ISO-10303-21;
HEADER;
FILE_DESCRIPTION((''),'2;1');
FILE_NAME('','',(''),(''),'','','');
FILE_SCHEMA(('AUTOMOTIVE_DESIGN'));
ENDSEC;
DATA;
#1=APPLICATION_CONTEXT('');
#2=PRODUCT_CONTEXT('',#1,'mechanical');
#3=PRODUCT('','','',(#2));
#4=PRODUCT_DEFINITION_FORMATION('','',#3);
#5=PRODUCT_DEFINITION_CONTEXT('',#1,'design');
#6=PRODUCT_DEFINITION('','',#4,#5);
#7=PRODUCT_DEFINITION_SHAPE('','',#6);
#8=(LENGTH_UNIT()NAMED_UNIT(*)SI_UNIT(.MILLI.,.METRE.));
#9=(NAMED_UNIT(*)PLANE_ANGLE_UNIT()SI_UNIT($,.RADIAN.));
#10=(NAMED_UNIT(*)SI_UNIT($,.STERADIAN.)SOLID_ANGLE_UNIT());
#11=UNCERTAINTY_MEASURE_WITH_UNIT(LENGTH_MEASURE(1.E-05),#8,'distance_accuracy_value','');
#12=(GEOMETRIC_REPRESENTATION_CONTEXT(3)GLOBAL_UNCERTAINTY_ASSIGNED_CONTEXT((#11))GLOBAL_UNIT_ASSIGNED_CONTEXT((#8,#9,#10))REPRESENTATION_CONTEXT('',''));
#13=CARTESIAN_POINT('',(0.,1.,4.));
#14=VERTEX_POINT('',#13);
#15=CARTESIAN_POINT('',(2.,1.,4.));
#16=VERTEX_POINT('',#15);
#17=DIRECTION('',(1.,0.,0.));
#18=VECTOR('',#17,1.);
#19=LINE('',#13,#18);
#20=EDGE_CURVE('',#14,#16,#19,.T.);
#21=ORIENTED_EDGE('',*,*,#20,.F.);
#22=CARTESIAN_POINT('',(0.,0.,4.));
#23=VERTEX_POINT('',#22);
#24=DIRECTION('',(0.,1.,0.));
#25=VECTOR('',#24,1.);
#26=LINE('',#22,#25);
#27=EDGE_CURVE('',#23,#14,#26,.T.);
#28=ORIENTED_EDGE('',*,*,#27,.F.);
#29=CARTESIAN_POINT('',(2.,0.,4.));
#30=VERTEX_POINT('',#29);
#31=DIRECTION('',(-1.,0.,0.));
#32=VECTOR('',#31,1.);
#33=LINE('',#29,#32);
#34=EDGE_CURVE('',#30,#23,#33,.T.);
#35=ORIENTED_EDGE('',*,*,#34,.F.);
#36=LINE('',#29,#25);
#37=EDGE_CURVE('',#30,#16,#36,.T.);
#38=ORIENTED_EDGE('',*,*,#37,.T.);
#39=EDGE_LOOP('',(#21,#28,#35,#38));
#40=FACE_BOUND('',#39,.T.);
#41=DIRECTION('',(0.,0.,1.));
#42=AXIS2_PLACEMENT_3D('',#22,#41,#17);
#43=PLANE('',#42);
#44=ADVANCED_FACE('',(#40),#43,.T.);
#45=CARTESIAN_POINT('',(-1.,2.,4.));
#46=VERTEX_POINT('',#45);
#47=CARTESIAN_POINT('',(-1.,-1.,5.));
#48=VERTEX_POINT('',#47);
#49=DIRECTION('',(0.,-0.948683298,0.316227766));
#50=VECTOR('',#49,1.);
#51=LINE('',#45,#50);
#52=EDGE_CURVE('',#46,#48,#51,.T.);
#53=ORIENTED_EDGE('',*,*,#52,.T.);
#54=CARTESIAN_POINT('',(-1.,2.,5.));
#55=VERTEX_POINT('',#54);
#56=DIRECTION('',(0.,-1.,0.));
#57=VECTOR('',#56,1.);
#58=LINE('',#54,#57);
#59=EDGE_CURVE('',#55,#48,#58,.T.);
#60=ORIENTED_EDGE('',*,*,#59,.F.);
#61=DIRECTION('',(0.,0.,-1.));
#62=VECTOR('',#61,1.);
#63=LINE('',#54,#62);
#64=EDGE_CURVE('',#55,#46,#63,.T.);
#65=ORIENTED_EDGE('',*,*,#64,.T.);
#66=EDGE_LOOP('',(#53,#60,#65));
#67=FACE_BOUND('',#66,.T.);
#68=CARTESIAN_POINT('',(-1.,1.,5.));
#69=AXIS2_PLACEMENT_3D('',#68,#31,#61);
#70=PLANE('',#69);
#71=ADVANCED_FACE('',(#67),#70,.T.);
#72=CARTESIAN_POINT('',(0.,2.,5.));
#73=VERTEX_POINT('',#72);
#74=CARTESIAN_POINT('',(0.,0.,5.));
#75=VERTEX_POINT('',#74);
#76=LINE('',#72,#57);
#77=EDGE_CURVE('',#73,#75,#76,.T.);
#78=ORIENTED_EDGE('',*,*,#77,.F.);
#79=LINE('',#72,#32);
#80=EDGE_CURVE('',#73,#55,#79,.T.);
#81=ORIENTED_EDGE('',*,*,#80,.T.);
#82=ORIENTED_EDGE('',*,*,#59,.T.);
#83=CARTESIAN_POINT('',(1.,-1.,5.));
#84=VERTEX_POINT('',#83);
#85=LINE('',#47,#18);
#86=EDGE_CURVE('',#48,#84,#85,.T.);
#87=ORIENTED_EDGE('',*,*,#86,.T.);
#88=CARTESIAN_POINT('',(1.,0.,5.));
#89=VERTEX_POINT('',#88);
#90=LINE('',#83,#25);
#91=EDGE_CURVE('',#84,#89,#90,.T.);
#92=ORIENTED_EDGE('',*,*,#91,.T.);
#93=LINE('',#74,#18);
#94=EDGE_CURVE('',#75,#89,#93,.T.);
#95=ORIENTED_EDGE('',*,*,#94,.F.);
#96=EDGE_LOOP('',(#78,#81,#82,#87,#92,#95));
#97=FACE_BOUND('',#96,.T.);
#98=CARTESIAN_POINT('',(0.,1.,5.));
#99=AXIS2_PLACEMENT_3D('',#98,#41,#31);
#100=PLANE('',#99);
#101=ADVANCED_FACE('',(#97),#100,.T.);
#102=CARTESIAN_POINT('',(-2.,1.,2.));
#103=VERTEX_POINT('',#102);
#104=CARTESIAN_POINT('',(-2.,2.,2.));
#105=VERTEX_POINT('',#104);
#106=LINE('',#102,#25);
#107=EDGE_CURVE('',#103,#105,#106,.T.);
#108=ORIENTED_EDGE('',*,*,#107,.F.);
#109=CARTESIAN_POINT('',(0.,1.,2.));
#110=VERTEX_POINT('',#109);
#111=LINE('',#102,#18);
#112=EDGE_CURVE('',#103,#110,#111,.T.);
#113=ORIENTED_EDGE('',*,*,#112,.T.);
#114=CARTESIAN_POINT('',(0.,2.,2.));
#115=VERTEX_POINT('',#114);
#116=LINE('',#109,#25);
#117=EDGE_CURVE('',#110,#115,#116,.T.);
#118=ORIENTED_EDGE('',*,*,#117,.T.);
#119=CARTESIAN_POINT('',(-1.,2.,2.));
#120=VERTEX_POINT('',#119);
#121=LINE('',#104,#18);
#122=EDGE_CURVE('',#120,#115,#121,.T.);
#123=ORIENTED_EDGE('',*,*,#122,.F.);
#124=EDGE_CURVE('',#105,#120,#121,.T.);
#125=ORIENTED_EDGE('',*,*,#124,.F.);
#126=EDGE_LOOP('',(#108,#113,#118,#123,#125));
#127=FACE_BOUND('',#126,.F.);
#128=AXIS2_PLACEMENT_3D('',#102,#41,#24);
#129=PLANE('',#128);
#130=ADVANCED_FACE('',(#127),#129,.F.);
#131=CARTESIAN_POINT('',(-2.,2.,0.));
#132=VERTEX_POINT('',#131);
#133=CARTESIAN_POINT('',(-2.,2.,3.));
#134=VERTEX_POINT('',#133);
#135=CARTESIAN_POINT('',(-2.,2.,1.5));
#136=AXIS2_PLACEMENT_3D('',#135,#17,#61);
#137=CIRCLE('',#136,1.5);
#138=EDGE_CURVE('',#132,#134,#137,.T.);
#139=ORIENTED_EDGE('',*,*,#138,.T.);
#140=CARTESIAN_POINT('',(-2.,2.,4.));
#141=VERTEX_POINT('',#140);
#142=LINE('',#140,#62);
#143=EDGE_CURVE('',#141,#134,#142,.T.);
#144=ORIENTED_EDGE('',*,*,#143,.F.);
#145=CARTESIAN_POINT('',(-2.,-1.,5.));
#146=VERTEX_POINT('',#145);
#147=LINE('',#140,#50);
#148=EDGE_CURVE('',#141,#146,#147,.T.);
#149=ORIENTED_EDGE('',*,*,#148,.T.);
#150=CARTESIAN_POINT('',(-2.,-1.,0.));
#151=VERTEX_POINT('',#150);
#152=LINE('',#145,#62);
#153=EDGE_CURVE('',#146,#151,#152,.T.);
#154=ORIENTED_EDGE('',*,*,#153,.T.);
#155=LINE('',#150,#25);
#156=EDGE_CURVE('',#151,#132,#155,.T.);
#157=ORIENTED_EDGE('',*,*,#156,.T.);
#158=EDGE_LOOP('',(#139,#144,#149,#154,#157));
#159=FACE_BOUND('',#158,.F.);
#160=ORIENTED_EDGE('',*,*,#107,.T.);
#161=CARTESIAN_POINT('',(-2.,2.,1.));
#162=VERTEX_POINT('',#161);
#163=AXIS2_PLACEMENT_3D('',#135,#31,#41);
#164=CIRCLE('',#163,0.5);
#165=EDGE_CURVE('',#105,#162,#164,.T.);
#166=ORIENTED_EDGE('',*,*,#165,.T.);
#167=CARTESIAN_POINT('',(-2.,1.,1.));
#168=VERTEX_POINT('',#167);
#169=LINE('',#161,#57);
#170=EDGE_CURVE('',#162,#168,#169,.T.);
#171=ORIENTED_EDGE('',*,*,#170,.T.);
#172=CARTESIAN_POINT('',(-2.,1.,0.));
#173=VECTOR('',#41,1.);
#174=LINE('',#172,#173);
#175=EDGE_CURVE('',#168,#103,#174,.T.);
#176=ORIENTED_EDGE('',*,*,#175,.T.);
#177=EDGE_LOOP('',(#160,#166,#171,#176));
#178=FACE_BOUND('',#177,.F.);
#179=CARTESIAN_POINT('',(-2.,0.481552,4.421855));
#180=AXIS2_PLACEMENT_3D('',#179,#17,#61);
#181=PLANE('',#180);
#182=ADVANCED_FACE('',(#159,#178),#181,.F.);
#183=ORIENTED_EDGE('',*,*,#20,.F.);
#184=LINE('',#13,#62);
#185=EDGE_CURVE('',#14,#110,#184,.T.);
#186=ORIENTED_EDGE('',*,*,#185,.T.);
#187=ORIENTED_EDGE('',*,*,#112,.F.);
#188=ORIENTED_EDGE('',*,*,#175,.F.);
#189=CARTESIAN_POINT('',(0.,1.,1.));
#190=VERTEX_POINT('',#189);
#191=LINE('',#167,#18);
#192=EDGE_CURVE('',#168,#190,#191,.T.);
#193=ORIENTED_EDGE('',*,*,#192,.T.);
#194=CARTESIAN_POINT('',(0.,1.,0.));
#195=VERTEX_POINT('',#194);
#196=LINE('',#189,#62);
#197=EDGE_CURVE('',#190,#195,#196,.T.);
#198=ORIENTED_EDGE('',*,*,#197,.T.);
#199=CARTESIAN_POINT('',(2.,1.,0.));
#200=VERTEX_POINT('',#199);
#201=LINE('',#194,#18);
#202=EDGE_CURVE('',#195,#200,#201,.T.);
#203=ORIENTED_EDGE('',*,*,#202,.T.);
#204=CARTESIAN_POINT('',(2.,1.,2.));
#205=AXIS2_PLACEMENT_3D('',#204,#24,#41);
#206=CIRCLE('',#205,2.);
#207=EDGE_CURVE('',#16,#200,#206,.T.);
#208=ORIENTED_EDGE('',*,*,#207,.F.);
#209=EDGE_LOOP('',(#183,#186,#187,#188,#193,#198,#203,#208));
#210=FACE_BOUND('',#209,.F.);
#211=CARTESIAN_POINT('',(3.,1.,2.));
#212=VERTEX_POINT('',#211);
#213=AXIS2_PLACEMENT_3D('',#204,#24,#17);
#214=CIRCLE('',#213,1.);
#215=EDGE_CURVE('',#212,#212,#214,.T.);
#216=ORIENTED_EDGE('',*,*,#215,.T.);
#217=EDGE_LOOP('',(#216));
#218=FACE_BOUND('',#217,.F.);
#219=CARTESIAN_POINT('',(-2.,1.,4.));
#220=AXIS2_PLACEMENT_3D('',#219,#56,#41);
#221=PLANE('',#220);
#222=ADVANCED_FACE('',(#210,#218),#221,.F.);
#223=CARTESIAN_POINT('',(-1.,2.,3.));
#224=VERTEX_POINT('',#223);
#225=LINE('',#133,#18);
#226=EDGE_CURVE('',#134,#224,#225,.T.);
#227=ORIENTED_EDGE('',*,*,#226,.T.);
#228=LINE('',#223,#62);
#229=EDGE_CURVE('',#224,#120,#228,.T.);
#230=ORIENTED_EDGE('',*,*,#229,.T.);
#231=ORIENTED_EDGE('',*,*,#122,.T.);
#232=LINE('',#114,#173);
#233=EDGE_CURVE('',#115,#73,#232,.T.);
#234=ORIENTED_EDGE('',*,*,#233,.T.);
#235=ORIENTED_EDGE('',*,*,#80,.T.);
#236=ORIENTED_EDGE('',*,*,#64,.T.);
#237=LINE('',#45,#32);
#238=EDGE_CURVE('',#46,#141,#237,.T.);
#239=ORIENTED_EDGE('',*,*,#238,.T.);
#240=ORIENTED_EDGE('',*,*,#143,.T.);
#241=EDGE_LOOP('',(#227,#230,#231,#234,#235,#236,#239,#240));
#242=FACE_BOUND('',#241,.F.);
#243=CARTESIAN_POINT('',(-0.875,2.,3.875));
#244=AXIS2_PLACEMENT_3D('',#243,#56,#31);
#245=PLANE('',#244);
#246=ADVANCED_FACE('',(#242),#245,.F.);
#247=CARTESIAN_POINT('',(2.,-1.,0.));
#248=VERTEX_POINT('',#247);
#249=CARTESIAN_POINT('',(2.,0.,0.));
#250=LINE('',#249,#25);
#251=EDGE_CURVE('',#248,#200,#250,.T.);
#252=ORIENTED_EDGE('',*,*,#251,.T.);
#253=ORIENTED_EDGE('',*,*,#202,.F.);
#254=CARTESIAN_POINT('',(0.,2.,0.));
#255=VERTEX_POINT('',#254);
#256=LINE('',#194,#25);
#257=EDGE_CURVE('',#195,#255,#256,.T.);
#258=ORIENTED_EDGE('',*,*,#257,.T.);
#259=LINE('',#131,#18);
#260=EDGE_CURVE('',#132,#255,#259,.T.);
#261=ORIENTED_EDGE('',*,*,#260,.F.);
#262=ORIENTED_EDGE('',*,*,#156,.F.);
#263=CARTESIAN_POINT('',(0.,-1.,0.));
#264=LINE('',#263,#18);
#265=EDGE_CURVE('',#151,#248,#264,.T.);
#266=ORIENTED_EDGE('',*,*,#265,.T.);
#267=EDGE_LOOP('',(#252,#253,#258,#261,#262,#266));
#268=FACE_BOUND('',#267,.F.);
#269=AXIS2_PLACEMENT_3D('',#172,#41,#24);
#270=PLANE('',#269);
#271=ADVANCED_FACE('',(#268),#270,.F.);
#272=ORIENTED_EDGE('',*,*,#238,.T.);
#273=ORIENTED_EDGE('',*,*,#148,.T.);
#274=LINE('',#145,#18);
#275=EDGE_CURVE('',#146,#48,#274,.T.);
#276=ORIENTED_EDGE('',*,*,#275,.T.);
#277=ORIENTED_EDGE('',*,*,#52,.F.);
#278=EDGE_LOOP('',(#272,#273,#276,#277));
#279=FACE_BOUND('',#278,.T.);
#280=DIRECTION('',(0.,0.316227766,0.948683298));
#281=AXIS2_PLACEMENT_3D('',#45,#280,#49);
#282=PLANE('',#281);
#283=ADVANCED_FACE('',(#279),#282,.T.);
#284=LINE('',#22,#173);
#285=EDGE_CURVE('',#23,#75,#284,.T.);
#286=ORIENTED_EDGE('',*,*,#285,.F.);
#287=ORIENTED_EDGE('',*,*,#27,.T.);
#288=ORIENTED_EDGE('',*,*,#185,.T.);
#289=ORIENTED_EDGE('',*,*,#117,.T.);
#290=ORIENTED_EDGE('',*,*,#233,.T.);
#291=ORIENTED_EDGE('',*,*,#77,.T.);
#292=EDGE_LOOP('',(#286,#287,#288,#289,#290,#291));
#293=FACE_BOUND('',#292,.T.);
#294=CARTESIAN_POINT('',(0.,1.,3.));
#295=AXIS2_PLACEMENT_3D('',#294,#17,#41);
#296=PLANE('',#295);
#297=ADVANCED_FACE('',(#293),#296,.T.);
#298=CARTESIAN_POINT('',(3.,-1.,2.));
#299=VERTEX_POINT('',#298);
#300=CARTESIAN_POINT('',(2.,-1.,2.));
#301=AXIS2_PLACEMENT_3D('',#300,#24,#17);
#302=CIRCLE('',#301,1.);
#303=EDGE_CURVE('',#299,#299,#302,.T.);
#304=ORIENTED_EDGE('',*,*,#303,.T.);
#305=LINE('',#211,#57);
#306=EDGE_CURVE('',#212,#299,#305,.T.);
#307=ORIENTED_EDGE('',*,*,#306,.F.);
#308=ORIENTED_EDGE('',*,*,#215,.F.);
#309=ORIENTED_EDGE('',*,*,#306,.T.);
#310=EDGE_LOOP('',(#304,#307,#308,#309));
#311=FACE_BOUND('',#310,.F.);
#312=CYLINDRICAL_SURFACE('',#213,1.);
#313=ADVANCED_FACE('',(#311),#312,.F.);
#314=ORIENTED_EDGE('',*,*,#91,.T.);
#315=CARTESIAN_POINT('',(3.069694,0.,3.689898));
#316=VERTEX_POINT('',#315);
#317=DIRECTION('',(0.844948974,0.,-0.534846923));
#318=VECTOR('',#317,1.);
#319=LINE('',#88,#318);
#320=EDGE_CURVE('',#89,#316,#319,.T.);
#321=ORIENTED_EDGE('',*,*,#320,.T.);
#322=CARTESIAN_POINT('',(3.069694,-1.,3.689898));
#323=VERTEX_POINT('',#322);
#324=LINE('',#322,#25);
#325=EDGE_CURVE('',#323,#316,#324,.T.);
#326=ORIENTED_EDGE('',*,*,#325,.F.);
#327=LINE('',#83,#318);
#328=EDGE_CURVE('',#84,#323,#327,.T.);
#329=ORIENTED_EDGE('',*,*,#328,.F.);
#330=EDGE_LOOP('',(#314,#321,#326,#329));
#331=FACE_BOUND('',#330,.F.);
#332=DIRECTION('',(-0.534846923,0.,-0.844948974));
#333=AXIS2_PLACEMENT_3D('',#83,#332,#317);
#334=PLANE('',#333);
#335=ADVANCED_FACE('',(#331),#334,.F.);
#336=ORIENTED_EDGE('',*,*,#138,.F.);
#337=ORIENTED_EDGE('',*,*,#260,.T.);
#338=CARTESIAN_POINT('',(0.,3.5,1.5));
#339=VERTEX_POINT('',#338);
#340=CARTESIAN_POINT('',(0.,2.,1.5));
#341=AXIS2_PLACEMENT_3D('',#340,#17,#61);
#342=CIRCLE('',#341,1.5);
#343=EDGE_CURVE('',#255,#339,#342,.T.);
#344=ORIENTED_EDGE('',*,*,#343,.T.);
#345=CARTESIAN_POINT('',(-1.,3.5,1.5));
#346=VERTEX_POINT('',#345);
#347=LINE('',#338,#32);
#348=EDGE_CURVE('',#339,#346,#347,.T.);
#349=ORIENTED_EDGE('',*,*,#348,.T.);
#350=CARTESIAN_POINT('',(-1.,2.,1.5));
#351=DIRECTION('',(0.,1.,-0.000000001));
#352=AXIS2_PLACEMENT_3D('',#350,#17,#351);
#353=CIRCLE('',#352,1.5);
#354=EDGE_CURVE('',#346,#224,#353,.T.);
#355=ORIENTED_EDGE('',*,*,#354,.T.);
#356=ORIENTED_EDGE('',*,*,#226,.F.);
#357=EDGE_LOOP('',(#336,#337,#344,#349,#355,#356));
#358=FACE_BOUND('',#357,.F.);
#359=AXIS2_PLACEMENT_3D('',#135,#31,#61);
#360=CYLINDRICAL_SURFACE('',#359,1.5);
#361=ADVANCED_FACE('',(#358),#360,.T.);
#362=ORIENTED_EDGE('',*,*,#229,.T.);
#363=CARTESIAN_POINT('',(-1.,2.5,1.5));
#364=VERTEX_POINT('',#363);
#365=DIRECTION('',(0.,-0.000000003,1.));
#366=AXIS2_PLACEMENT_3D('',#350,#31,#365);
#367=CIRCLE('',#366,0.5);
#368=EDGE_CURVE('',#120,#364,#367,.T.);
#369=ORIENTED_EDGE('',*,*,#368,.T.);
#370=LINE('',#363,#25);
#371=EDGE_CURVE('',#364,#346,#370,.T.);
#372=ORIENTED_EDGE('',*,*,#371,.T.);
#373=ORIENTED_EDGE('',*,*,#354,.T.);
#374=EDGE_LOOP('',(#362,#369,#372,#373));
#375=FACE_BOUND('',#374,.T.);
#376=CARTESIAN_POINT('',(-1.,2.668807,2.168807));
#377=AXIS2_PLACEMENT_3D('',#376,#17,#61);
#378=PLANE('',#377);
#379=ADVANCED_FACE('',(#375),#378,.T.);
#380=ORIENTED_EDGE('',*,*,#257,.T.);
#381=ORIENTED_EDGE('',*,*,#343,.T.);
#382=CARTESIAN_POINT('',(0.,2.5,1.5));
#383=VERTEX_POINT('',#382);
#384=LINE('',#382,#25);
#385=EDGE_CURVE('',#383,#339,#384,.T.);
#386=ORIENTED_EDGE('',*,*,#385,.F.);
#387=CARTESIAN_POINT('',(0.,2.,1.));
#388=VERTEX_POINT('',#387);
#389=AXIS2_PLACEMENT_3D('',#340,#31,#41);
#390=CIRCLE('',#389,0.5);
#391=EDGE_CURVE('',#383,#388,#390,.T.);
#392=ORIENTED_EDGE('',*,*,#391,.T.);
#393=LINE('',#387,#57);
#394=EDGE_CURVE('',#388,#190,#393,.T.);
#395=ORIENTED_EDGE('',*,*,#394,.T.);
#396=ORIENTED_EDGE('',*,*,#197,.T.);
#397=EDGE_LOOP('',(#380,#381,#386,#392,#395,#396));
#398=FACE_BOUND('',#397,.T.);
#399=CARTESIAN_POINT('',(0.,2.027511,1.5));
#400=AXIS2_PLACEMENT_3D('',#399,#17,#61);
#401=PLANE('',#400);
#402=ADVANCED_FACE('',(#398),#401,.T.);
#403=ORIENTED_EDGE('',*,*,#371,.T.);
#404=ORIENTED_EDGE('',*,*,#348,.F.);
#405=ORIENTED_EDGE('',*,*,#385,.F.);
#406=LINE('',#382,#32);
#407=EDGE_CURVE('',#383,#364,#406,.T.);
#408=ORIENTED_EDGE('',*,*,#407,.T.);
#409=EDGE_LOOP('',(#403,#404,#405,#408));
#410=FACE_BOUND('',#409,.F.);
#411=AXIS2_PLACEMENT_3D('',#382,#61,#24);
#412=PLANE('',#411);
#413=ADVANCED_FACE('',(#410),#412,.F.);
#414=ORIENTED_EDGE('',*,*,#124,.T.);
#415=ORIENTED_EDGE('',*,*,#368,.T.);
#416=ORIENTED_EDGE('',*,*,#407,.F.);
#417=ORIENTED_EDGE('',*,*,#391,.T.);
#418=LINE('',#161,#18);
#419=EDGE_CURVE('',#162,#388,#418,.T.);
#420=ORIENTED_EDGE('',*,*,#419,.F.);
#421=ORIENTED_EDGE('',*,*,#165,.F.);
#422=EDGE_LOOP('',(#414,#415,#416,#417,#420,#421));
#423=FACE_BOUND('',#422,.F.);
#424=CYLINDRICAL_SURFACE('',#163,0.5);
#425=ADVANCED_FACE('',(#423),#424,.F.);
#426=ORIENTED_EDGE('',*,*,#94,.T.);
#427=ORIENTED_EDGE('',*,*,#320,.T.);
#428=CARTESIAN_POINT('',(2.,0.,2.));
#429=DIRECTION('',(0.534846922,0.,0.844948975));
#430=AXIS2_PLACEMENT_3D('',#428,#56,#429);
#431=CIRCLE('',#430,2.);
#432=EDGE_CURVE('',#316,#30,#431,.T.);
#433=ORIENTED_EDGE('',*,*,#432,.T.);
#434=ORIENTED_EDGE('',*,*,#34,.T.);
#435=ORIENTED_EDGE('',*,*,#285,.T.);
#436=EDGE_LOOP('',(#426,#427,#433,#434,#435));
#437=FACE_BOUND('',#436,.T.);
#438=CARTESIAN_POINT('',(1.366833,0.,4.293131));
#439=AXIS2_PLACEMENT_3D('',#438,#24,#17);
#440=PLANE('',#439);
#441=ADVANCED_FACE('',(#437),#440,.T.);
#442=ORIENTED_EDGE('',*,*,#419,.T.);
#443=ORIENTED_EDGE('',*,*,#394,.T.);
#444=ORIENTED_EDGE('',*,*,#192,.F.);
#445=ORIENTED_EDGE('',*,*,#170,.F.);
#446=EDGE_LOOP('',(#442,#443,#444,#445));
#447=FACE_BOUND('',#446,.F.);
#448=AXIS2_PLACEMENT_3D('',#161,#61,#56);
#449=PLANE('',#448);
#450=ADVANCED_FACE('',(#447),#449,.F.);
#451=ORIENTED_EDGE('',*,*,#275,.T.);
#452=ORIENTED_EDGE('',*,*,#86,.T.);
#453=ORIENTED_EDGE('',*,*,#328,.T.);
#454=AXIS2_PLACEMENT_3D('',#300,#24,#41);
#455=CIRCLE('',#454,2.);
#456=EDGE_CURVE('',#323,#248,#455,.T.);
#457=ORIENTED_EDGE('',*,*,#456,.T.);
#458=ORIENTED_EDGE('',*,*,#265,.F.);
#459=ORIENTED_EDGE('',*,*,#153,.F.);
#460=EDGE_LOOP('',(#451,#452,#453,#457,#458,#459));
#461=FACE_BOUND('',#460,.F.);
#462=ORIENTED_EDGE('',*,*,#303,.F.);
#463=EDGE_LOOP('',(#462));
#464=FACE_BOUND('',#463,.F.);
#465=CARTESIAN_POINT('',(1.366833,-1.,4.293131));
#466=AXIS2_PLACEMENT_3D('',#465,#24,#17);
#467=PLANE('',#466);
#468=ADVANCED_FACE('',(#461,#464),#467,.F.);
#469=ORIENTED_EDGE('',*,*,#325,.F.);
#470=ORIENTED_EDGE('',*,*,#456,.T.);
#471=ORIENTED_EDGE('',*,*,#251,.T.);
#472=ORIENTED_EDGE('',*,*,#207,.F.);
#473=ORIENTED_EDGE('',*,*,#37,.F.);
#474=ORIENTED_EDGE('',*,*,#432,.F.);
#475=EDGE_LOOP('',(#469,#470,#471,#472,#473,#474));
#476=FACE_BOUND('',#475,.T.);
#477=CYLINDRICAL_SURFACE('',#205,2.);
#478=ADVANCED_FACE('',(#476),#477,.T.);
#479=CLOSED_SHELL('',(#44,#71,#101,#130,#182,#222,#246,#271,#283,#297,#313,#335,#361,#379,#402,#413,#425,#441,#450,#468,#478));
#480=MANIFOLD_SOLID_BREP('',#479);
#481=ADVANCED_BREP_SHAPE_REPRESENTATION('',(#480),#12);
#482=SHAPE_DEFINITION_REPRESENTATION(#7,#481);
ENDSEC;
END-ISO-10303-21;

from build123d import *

# Parameters (mm, degrees)
SKETCH1_W           = 4
SKETCH1_H           = 2
BOSS_EXTRUDE1_DEPTH = 4
BOSS_EXTRUDE2_DEPTH = 2
SKETCH3_R           = 1
CUT_EXTRUDE1_DEPTH  = 3
BOSS_EXTRUDE4_DEPTH = 2
CUT_EXTRUDE2_DEPTH  = 1
SKETCH8_W           = 1
SKETCH8_H           = 2
BOSS_EXTRUDE5_DEPTH = 2
CUT_EXTRUDE3_DEPTH  = 1
BOSS_EXTRUDE6_DEPTH = 1
BOSS_EXTRUDE7_DEPTH = 1
BOSS_EXTRUDE8_DEPTH = 1


with BuildPart() as part:
    # Sketch1 → Boss-Extrude1 (new body)
    with BuildSketch(Plane.XY):
        Rectangle(SKETCH1_W, SKETCH1_H)
    extrude(amount=BOSS_EXTRUDE1_DEPTH)

    # Sketch2 → Boss-Extrude2 (add)
    with BuildSketch(Plane(origin=(0, 1, 0), x_dir=(1, 0, 0), z_dir=(0, 1, 0))):
        with BuildLine():
            Line((2, 0), (2, -4))
            ThreePointArc((2, -4), (4, -2), (2, 0))
        make_face()
    extrude(amount=-BOSS_EXTRUDE2_DEPTH)

    # Sketch3 → Cut-Extrude1 (cut, through all)
    with BuildSketch(Plane(origin=(0, 1, 0), x_dir=(1, 0, 0), z_dir=(0, 1, 0))):
        with Locations((2, -2)):
            Circle(SKETCH3_R)
    extrude(amount=-CUT_EXTRUDE1_DEPTH, mode=Mode.SUBTRACT)

    # Sketch4 → Boss-Extrude4 (add)
    with BuildSketch(Plane.ZY.offset(2)):
        with BuildLine():
            Line((0, 1), (0, 2))
            ThreePointArc((0, 2), (1.5, 3.5), (3, 2))
            Line((3, 2), (3, 1))
            Line((3, 1), (2, 1))
            Line((2, 1), (2, 2))
            ThreePointArc((2, 2), (1.5, 2.5), (1, 2))
            Line((1, 2), (1, 1))
            Line((1, 1), (0, 1))
        make_face()
    extrude(amount=-BOSS_EXTRUDE4_DEPTH)

    # Sketch7 → Cut-Extrude2 (cut)
    with BuildSketch(Plane(origin=(0, 0, 0), x_dir=(0, 0, -1), z_dir=(1, 0, 0))):
        with BuildLine():
            Line((-1.5, 2.5), (-1.5, 3.5))
            ThreePointArc((-1.5, 3.5), (-2.560660172, 3.060660172), (-3, 2))
            Line((-3, 2), (-2, 2))
            ThreePointArc((-2, 2), (-1.853553391, 2.353553391), (-1.5, 2.5))
        make_face()
    extrude(amount=-CUT_EXTRUDE2_DEPTH, mode=Mode.SUBTRACT)

    # Sketch8 → Boss-Extrude5 (add)
    with BuildSketch(Plane.ZY.offset(2)):
        with Locations((4.5, 0)):
            Rectangle(SKETCH8_W, SKETCH8_H)
    extrude(amount=-BOSS_EXTRUDE5_DEPTH)

    # Sketch9 → Cut-Extrude3 (cut)
    with BuildSketch(Plane.ZY.offset(2)):
        Polygon((5, 1), (4, 1), (5, -1), align=None)
    extrude(amount=-CUT_EXTRUDE3_DEPTH, mode=Mode.SUBTRACT)

    # Sketch10 → Boss-Extrude6 (add)
    with BuildSketch(Plane(origin=(0, -1, 0), x_dir=(-1, 0, 0), z_dir=(0, -1, 0))):
        with BuildLine():
            Line((0, -5), (-1, -5))
            Line((-1, -5), (-3.069693846, -3.689897949))
            ThreePointArc((-3.069693846, -3.689897949), (-2.556868074, -3.920910708), (-2, -4))
            Line((-2, -4), (0, -4))
            Line((0, -4), (0, -5))
        make_face()
    extrude(amount=-BOSS_EXTRUDE6_DEPTH)

    # Sketch11 → Boss-Extrude7 (add)
    with BuildSketch(Plane(origin=(0, 1, 0), x_dir=(1, 0, 0), z_dir=(0, 1, 0))):
        Polygon((0, -3), (0, -5), (-1, -5), (-1, -4), (-2, -4), (-2, -3), align=None)
    extrude(amount=BOSS_EXTRUDE7_DEPTH)

    # Sketch12 → Boss-Extrude8 (add)
    with BuildSketch(Plane.ZY.offset(1)):
        Polygon((4, 2), (5, -1), (4, 1), align=None)
    extrude(amount=BOSS_EXTRUDE8_DEPTH)


solid = part.part
